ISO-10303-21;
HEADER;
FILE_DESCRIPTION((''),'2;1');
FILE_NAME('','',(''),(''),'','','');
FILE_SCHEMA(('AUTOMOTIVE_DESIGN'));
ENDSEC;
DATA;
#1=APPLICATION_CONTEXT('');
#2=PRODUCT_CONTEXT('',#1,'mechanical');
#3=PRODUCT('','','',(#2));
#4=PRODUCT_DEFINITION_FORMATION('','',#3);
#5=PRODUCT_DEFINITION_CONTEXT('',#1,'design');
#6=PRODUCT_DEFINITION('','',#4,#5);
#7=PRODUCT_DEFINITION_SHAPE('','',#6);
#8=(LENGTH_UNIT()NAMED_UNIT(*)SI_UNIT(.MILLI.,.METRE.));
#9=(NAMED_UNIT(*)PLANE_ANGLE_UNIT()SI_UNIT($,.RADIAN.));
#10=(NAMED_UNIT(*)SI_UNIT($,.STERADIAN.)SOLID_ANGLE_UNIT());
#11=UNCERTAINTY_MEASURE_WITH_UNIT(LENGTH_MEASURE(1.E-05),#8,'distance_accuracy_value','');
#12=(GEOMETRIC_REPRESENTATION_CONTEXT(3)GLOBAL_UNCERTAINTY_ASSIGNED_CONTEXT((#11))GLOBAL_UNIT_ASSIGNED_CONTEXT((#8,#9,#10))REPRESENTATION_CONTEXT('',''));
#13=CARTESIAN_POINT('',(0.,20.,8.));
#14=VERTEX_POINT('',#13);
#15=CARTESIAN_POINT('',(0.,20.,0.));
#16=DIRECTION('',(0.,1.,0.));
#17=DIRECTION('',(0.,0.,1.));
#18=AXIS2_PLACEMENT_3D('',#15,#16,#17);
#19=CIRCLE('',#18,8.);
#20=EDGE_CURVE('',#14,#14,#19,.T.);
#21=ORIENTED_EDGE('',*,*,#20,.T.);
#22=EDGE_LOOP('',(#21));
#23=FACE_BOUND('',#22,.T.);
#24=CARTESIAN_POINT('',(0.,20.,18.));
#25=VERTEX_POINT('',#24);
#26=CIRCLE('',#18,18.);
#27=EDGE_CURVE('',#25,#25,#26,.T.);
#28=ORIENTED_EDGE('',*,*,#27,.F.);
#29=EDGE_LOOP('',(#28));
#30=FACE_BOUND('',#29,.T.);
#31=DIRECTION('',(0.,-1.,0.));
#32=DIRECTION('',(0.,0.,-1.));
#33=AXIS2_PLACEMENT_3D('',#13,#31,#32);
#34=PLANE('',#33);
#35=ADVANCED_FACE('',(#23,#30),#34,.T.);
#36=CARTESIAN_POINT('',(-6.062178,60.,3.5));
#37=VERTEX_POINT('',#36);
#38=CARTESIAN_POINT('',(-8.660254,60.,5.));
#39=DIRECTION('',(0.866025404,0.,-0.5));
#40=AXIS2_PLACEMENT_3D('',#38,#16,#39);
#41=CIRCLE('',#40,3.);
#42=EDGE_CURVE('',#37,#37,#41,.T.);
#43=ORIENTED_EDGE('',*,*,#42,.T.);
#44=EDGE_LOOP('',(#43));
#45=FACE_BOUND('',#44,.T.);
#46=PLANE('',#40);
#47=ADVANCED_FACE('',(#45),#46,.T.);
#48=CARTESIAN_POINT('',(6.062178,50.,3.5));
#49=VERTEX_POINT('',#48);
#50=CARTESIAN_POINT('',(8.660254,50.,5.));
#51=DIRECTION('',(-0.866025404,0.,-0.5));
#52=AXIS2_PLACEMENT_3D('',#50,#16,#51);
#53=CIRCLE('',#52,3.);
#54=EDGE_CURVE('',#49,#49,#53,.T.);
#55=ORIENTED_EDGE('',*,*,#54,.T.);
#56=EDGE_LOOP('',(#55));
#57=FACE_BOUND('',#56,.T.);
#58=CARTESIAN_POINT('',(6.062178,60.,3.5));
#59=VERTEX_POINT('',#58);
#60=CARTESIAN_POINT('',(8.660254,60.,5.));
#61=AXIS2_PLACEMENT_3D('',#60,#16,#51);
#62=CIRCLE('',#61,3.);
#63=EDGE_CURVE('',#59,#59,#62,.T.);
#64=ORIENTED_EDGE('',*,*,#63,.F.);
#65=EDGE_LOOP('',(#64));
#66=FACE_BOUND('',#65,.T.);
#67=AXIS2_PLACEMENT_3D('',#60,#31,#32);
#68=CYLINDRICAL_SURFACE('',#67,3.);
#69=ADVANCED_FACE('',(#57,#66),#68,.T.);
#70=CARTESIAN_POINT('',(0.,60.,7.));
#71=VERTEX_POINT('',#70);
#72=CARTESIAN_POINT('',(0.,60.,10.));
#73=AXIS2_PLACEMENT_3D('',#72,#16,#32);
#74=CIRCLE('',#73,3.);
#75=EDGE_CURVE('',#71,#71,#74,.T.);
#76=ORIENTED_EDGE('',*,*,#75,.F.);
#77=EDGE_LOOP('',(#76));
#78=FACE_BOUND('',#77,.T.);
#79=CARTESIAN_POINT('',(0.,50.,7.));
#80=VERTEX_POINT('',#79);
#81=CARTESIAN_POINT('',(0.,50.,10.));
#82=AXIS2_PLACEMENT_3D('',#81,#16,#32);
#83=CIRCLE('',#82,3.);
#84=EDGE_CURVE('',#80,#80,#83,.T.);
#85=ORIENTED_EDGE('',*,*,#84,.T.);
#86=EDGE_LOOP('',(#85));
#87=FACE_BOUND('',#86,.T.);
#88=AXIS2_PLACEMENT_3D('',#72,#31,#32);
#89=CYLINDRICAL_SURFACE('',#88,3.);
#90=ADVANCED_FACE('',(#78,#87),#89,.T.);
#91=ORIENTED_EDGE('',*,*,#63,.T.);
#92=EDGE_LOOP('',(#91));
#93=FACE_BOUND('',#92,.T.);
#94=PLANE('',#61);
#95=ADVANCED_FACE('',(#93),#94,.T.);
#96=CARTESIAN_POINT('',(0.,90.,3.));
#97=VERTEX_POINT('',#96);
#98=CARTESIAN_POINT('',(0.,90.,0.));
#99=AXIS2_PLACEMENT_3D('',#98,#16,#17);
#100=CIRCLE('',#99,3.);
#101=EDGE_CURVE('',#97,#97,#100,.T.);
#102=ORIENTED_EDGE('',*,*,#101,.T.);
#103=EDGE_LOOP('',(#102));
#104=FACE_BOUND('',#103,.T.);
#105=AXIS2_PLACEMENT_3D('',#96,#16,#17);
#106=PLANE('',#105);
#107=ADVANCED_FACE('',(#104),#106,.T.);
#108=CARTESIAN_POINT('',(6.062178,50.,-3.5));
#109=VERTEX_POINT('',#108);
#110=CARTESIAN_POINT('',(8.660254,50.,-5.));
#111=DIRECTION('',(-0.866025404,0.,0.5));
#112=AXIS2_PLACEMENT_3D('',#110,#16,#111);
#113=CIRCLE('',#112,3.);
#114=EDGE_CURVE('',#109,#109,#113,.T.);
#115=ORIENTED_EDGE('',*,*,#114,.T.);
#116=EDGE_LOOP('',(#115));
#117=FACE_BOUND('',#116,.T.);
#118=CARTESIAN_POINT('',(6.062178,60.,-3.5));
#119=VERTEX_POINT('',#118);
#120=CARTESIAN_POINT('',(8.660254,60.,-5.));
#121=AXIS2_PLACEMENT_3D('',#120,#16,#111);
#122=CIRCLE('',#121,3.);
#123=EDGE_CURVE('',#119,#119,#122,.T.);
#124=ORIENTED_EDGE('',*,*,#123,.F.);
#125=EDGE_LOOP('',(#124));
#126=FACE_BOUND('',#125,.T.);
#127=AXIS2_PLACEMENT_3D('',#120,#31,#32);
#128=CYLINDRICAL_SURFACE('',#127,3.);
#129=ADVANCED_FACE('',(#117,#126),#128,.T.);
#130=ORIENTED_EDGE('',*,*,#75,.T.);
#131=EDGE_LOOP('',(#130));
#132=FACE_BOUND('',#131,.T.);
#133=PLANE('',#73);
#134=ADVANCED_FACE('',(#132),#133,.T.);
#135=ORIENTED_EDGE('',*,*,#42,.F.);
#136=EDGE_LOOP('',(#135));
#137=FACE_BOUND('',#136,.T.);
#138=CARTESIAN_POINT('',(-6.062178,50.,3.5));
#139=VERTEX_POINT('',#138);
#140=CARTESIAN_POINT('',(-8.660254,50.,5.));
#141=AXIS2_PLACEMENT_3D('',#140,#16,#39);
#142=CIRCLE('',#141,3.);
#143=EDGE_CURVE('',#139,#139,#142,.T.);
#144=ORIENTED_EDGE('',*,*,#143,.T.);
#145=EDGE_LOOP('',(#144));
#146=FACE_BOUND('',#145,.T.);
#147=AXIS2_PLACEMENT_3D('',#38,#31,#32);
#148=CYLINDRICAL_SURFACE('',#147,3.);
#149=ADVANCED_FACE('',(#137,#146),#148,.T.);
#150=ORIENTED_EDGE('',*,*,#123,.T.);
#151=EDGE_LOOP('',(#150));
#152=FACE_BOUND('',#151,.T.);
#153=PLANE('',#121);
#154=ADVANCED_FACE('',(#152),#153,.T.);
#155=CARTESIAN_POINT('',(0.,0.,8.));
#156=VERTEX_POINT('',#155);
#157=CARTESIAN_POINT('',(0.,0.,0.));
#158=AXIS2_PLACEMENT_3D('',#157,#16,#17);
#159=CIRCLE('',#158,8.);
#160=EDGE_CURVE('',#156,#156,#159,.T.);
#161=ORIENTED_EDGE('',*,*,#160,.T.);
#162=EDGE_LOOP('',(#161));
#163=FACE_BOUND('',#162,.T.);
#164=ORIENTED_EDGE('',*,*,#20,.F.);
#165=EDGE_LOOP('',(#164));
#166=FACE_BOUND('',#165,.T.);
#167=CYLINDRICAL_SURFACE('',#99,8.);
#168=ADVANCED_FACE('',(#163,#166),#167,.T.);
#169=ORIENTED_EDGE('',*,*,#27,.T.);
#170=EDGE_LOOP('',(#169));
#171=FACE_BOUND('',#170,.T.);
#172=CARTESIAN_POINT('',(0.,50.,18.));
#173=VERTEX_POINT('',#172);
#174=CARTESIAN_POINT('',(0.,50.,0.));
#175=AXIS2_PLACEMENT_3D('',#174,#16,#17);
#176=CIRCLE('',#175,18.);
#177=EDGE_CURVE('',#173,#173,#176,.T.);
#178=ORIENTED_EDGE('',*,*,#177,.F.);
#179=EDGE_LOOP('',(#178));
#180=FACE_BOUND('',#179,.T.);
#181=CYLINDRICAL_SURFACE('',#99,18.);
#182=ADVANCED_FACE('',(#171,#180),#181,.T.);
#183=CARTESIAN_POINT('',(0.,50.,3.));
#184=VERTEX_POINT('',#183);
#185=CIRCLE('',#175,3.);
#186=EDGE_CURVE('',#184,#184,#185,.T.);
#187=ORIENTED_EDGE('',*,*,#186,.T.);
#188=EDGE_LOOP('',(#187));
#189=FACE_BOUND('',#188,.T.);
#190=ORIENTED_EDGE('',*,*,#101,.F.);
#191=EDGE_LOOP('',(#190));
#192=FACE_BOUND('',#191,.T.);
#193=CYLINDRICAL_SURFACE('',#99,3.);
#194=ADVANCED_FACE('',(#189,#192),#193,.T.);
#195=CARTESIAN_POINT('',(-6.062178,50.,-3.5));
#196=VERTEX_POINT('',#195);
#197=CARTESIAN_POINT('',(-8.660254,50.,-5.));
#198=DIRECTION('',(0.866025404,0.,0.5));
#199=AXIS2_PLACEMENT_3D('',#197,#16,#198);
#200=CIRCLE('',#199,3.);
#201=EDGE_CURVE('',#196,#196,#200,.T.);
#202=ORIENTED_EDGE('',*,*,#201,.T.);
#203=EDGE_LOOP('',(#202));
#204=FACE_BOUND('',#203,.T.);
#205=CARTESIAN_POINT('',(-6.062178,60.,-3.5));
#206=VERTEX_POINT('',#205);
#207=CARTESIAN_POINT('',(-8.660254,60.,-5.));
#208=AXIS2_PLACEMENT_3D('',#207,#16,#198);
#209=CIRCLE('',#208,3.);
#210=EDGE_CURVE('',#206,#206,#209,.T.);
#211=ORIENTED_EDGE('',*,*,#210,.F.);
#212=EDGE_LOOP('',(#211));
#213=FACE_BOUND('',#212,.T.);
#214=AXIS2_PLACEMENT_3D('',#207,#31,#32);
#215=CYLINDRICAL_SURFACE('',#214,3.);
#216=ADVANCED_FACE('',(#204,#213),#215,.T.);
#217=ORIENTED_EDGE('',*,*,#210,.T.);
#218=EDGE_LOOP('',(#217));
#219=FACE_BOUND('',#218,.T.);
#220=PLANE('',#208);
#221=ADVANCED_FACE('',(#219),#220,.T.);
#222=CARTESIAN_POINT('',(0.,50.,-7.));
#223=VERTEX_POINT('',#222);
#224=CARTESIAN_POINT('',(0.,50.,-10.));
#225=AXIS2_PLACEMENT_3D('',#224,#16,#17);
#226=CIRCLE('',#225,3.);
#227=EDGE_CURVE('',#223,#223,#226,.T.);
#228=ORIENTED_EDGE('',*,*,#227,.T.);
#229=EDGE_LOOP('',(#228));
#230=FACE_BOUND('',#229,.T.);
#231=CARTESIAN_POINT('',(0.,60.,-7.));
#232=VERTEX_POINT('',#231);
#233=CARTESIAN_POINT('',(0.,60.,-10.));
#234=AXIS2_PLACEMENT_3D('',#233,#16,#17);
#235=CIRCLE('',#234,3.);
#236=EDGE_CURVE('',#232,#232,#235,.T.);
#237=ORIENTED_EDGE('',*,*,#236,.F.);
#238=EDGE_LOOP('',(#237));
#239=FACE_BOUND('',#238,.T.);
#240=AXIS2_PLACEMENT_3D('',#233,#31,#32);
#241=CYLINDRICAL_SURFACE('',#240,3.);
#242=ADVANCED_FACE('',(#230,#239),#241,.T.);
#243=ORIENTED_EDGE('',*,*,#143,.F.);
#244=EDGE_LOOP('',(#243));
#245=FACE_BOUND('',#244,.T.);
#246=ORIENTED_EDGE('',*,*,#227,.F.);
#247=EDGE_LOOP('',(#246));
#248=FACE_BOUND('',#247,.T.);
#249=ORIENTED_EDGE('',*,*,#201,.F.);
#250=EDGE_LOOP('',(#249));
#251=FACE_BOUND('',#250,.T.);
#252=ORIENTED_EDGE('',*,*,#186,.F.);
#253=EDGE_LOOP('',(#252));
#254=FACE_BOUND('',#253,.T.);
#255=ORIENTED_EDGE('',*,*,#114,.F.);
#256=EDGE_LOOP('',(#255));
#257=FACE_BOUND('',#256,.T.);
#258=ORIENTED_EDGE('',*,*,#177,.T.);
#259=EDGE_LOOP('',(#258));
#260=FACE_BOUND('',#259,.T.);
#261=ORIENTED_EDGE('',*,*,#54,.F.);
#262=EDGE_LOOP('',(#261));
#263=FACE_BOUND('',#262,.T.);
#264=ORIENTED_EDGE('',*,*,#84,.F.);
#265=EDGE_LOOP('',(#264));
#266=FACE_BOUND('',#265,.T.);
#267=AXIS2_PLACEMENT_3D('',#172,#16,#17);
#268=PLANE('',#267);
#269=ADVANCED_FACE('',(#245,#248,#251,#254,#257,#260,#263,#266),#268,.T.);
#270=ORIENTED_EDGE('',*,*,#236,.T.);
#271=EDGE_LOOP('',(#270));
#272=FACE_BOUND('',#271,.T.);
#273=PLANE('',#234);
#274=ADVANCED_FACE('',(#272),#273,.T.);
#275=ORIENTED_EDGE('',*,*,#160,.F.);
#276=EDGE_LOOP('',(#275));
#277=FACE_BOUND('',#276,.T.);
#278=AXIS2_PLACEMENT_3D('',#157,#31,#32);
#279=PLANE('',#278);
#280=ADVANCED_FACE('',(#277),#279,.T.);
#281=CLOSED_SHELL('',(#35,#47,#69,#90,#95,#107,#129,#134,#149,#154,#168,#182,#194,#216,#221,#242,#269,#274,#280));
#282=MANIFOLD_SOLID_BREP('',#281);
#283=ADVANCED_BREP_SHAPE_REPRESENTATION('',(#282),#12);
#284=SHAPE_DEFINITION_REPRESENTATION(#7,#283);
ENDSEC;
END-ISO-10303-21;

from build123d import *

# Parameters (mm, degrees)
SKETCH2_R           = 3
BOSS_EXTRUDE1_DEPTH = 10
CIRPATTERN1_COUNT   = 6


with BuildPart() as part:
    # Sketch1 → Revolve1 (revolve)
    with BuildSketch(Plane(origin=(0, 0, 0), x_dir=(0, 0, -1), z_dir=(1, 0, 0))):
        Polygon((0, 0), (-8, 0), (-8, 20), (-18, 20), (-18, 50), (-3, 50), (-3, 90), (0, 90), align=None)
    revolve(axis=Axis((0, 90, 0), (0, -1, 0)))

    # Sketch2 → Boss-Extrude1 (add)
    with BuildSketch(Plane(origin=(0, 50, 0), x_dir=(1, 0, 0), z_dir=(0, 1, 0))):
        with Locations((0, 10)):
            Circle(SKETCH2_R)
    boss_extrude1 = extrude(amount=BOSS_EXTRUDE1_DEPTH)

    # CirPattern1: Boss-Extrude1 ×6 about axis
    cirpattern1_axis = Axis((0, 0, 0), (0, 1, 0))
    for i in range(1, CIRPATTERN1_COUNT):
        add(boss_extrude1.rotate(cirpattern1_axis, i * 360 / CIRPATTERN1_COUNT))


solid = part.part
